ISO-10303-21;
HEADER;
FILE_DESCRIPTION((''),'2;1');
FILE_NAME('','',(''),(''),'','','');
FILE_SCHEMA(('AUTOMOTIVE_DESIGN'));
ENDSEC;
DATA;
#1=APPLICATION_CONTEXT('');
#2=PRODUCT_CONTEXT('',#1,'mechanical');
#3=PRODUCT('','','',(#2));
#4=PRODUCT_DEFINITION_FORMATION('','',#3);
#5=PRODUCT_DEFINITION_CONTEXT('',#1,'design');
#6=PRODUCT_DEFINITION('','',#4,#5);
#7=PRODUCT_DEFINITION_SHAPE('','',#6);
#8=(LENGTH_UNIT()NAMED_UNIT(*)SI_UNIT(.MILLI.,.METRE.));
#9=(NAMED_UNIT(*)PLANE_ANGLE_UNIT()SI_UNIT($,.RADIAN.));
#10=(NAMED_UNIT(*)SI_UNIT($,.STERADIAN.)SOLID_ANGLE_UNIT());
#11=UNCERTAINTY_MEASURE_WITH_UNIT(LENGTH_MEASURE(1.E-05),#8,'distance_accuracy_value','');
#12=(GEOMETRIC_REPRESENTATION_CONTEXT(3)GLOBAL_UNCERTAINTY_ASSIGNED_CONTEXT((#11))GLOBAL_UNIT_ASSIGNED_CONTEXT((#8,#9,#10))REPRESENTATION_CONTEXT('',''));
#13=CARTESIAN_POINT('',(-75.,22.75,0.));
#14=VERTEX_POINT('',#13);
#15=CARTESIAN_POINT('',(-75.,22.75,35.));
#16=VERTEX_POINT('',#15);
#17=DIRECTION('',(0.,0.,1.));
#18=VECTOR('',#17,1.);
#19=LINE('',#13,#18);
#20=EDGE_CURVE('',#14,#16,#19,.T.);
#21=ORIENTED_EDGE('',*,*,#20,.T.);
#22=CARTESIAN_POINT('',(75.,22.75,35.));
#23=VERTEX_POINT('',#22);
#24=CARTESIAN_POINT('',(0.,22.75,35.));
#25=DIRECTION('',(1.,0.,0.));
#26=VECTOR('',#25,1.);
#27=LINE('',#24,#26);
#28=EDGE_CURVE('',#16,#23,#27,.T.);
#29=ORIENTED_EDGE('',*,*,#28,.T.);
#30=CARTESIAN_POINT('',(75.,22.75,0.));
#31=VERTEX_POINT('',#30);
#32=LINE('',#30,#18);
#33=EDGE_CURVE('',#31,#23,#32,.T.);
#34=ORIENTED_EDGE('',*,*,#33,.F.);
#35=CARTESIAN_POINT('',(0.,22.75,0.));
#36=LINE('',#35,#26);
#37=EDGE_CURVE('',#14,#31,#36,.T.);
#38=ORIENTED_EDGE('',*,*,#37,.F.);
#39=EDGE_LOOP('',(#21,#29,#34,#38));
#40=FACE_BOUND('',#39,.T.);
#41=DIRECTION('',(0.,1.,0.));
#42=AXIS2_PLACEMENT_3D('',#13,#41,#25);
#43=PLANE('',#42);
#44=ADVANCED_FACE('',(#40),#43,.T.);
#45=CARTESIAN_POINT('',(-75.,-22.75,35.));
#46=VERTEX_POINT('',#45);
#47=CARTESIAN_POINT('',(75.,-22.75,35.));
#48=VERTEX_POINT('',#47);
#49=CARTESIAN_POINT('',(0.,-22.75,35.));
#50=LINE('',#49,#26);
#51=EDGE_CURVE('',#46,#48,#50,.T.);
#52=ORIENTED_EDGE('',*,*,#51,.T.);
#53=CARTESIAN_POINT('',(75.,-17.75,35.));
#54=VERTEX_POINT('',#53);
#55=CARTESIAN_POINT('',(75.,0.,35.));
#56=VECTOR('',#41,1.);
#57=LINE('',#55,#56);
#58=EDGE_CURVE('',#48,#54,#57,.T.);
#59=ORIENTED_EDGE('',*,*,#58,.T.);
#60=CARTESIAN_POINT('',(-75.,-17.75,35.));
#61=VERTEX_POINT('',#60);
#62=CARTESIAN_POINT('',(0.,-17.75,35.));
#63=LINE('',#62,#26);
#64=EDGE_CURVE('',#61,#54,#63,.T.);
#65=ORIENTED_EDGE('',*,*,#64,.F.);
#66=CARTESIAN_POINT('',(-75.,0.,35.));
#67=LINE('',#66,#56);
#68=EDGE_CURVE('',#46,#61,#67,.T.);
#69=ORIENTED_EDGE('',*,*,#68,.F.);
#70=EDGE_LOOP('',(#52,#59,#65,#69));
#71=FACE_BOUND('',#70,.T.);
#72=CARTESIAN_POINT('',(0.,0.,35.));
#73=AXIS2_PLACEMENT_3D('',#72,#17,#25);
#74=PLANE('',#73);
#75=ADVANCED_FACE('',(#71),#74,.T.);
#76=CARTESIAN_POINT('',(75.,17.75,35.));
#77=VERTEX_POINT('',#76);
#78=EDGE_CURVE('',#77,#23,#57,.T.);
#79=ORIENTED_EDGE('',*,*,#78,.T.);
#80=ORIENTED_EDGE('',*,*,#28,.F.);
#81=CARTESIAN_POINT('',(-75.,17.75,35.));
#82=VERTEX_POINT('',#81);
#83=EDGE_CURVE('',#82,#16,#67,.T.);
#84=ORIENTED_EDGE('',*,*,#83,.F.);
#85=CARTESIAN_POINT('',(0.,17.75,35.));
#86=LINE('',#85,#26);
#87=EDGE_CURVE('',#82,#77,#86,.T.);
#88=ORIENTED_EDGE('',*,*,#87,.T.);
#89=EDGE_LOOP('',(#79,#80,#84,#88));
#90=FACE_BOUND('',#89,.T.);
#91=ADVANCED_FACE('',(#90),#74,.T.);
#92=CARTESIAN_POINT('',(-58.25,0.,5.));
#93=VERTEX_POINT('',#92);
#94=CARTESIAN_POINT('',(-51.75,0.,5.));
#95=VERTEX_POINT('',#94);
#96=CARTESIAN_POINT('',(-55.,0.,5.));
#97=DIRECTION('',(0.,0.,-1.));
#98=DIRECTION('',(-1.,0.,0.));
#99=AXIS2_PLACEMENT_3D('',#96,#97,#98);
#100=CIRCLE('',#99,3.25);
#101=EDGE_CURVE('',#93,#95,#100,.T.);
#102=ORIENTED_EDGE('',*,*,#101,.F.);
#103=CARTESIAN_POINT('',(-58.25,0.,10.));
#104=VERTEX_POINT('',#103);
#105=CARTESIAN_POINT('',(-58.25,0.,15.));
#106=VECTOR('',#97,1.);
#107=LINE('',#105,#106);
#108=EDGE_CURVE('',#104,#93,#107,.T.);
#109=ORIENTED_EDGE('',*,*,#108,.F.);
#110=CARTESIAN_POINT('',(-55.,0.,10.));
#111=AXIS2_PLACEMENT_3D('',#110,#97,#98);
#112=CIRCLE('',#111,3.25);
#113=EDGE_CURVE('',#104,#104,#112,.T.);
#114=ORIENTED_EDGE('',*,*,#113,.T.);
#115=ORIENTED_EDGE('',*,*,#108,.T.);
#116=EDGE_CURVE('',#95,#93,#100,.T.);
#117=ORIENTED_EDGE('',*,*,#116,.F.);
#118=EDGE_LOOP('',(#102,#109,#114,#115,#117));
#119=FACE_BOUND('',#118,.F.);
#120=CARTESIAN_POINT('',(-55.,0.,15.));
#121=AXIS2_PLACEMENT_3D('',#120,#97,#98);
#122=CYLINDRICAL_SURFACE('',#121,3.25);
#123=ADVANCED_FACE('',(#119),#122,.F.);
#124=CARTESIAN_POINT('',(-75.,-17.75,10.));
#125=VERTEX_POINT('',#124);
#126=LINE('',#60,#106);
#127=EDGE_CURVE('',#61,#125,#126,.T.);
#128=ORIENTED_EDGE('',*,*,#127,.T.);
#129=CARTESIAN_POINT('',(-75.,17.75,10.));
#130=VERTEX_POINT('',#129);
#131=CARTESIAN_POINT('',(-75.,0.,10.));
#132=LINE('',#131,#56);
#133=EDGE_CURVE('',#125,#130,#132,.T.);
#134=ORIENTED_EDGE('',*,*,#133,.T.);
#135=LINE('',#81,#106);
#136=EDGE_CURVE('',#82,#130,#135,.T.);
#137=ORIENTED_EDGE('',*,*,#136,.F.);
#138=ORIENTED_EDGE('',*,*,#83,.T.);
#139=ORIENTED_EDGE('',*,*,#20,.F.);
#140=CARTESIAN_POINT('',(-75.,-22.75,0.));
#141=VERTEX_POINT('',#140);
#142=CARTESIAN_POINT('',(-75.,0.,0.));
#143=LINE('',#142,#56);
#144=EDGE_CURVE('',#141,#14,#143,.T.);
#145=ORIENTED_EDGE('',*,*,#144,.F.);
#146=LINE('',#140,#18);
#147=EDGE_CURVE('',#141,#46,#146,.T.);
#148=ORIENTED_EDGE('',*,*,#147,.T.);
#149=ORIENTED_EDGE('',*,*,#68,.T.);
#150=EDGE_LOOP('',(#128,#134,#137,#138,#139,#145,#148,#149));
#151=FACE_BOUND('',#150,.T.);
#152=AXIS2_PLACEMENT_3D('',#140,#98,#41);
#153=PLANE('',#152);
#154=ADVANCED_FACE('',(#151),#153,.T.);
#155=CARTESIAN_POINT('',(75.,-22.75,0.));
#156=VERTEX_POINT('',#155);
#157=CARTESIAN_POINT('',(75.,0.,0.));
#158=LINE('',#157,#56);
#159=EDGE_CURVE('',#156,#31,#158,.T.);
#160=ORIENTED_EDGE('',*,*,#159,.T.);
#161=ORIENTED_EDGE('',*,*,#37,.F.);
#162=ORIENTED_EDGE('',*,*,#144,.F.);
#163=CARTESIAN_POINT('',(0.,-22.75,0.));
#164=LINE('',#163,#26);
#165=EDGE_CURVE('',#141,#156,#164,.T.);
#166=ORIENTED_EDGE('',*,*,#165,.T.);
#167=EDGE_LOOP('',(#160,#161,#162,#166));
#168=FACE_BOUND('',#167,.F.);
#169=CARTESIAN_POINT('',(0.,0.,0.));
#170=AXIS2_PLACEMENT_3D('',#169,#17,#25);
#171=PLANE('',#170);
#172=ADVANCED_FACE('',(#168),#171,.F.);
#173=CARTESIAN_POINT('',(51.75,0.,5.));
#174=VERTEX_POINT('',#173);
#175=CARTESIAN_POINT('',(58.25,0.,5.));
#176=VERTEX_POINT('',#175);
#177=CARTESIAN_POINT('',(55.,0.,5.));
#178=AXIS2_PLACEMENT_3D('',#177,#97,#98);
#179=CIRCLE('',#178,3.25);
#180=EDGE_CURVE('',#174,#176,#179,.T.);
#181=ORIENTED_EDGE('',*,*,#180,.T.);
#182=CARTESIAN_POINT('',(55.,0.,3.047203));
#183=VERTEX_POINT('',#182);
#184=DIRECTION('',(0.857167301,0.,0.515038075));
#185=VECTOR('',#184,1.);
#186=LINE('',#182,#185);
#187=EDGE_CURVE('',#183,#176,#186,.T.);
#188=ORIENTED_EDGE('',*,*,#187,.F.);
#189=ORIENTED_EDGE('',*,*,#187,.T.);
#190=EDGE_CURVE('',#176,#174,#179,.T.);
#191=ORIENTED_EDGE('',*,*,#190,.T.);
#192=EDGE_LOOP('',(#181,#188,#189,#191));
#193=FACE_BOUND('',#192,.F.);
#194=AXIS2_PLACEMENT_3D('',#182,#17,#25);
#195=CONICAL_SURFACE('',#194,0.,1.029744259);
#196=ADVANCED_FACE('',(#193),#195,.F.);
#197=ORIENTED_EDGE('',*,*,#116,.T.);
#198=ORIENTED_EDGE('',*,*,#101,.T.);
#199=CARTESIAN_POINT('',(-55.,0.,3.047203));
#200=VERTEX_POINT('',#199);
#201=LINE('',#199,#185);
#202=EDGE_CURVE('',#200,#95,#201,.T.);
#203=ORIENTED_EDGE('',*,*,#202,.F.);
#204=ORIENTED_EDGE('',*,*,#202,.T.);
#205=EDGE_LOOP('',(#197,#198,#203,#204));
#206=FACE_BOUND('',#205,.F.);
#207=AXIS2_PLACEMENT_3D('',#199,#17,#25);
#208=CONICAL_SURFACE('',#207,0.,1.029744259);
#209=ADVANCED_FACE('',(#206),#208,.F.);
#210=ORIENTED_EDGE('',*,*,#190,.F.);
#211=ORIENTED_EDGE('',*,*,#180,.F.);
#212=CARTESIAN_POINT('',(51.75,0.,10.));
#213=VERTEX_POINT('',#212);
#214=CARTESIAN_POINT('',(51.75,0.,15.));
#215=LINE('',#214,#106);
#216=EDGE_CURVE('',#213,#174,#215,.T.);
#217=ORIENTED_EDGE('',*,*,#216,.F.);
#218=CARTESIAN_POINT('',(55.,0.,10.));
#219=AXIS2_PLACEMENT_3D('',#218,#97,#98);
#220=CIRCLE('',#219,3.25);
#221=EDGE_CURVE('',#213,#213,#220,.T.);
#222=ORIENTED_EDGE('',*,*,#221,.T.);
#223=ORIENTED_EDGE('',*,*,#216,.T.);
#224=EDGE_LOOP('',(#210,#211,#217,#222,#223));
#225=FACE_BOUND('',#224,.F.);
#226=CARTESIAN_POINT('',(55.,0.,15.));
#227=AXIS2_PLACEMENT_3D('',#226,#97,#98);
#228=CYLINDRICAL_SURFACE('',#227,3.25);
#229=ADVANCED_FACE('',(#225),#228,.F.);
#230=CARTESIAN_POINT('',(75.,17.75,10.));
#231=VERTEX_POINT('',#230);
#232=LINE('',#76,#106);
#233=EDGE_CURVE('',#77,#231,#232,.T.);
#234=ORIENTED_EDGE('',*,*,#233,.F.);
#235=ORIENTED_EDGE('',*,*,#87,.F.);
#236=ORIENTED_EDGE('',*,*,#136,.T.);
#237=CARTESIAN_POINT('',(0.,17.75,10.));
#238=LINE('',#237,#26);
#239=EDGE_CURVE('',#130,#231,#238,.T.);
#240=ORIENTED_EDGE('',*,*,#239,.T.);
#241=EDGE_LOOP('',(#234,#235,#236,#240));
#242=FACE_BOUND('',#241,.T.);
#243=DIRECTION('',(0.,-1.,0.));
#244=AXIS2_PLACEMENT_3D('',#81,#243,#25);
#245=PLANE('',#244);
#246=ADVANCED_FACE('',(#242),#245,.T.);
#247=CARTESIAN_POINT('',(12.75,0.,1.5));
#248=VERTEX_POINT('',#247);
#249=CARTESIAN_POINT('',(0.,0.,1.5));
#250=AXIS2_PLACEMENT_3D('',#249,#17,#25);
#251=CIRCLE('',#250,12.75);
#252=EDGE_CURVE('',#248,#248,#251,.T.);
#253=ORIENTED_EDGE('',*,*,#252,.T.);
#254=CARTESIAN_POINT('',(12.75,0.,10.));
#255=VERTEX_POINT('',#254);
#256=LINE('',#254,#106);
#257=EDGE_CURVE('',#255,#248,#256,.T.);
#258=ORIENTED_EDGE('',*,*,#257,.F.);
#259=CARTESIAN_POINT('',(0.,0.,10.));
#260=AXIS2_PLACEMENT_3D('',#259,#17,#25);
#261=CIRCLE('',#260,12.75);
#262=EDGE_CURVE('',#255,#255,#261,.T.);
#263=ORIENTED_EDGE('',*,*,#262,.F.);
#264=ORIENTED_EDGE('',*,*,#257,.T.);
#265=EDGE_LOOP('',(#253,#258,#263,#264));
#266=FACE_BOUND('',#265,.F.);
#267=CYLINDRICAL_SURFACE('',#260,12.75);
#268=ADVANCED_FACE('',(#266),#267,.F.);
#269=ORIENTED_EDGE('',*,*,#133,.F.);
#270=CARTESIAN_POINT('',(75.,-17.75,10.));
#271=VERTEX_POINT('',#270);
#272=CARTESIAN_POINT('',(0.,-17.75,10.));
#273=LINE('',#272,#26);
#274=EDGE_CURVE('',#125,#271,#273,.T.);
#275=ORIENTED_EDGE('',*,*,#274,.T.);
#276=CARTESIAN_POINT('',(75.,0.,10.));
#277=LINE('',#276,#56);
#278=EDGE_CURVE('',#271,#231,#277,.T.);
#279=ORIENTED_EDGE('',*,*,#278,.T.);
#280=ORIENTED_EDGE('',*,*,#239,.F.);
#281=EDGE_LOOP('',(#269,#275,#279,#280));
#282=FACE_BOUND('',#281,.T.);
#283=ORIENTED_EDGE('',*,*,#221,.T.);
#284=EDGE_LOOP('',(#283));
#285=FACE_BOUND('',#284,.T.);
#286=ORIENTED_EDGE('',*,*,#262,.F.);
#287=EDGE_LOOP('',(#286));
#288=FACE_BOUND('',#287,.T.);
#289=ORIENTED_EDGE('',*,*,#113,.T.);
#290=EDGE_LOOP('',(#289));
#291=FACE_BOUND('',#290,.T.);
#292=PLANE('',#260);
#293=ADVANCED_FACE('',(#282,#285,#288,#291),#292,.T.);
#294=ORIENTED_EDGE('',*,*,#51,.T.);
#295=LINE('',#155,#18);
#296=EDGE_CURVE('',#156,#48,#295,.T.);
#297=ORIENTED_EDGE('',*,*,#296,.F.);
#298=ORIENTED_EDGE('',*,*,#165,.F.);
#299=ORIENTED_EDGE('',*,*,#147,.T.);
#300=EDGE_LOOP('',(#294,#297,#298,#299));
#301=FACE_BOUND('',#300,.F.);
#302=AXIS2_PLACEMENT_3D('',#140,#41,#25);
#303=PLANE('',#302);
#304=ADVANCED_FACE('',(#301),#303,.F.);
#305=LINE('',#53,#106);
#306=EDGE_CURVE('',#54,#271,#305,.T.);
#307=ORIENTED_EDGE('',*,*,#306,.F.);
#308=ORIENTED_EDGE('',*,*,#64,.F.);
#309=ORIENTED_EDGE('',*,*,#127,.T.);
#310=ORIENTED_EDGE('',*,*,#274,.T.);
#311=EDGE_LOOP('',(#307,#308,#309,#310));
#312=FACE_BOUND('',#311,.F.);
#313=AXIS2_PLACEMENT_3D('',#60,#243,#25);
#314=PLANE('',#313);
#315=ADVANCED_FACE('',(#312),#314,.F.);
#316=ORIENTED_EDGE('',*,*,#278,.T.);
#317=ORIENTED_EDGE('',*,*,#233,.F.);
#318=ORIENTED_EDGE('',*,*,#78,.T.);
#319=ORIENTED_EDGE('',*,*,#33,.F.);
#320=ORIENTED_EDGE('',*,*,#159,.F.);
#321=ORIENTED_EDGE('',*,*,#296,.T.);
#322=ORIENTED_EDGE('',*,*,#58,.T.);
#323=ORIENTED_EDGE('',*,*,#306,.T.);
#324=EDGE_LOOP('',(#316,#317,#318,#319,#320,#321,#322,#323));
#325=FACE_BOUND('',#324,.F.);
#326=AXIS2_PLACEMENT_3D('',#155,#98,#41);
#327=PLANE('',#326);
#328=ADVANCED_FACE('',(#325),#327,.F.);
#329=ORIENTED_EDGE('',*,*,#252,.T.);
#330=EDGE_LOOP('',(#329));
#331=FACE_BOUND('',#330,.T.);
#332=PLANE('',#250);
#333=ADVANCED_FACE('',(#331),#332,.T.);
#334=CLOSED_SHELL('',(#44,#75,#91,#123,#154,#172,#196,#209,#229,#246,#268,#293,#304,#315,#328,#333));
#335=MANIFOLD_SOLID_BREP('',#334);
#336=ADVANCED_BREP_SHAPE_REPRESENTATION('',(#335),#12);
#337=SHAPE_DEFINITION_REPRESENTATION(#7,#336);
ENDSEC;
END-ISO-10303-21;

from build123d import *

# Parameters (mm, degrees)
F0_W     = 150
F0_H     = 45.5
F1_DEPTH = 35
F2_W     = 150
F2_H     = 35.5
F3_DEPTH = 25
F4_R     = 12.75
F5_DEPTH = 8.5
F6_D     = 6.5
F6_DEPTH = 5
F6_TIP   = 1.9527970118


with BuildPart() as f1:
    # F0 (on Top) → F1 (new body)
    with BuildSketch(Plane.XY):
        Rectangle(F0_W, F0_H)
    extrude(amount=F1_DEPTH)

    # F2 (on face) → F3 (cut)
    with BuildSketch(Plane.XY.offset(35)):
        Rectangle(F2_W, F2_H)
    extrude(amount=-F3_DEPTH, mode=Mode.SUBTRACT)

    # F4 (on face) → F5 (cut)
    with BuildSketch(Plane.XY.offset(10)):
        Circle(F4_R)
    extrude(amount=-F5_DEPTH, mode=Mode.SUBTRACT)

    # F6
    with Locations(Plane.XY.offset(10)):
        with Locations((55, 0), (-55, 0)):
            Hole(F6_D / 2, depth=F6_DEPTH)
            with Locations((0, 0, -(F6_DEPTH + F6_TIP / 2))):  # 118° drill point
                Cone(0, F6_D / 2, F6_TIP, mode=Mode.SUBTRACT)


solid = f1.part
